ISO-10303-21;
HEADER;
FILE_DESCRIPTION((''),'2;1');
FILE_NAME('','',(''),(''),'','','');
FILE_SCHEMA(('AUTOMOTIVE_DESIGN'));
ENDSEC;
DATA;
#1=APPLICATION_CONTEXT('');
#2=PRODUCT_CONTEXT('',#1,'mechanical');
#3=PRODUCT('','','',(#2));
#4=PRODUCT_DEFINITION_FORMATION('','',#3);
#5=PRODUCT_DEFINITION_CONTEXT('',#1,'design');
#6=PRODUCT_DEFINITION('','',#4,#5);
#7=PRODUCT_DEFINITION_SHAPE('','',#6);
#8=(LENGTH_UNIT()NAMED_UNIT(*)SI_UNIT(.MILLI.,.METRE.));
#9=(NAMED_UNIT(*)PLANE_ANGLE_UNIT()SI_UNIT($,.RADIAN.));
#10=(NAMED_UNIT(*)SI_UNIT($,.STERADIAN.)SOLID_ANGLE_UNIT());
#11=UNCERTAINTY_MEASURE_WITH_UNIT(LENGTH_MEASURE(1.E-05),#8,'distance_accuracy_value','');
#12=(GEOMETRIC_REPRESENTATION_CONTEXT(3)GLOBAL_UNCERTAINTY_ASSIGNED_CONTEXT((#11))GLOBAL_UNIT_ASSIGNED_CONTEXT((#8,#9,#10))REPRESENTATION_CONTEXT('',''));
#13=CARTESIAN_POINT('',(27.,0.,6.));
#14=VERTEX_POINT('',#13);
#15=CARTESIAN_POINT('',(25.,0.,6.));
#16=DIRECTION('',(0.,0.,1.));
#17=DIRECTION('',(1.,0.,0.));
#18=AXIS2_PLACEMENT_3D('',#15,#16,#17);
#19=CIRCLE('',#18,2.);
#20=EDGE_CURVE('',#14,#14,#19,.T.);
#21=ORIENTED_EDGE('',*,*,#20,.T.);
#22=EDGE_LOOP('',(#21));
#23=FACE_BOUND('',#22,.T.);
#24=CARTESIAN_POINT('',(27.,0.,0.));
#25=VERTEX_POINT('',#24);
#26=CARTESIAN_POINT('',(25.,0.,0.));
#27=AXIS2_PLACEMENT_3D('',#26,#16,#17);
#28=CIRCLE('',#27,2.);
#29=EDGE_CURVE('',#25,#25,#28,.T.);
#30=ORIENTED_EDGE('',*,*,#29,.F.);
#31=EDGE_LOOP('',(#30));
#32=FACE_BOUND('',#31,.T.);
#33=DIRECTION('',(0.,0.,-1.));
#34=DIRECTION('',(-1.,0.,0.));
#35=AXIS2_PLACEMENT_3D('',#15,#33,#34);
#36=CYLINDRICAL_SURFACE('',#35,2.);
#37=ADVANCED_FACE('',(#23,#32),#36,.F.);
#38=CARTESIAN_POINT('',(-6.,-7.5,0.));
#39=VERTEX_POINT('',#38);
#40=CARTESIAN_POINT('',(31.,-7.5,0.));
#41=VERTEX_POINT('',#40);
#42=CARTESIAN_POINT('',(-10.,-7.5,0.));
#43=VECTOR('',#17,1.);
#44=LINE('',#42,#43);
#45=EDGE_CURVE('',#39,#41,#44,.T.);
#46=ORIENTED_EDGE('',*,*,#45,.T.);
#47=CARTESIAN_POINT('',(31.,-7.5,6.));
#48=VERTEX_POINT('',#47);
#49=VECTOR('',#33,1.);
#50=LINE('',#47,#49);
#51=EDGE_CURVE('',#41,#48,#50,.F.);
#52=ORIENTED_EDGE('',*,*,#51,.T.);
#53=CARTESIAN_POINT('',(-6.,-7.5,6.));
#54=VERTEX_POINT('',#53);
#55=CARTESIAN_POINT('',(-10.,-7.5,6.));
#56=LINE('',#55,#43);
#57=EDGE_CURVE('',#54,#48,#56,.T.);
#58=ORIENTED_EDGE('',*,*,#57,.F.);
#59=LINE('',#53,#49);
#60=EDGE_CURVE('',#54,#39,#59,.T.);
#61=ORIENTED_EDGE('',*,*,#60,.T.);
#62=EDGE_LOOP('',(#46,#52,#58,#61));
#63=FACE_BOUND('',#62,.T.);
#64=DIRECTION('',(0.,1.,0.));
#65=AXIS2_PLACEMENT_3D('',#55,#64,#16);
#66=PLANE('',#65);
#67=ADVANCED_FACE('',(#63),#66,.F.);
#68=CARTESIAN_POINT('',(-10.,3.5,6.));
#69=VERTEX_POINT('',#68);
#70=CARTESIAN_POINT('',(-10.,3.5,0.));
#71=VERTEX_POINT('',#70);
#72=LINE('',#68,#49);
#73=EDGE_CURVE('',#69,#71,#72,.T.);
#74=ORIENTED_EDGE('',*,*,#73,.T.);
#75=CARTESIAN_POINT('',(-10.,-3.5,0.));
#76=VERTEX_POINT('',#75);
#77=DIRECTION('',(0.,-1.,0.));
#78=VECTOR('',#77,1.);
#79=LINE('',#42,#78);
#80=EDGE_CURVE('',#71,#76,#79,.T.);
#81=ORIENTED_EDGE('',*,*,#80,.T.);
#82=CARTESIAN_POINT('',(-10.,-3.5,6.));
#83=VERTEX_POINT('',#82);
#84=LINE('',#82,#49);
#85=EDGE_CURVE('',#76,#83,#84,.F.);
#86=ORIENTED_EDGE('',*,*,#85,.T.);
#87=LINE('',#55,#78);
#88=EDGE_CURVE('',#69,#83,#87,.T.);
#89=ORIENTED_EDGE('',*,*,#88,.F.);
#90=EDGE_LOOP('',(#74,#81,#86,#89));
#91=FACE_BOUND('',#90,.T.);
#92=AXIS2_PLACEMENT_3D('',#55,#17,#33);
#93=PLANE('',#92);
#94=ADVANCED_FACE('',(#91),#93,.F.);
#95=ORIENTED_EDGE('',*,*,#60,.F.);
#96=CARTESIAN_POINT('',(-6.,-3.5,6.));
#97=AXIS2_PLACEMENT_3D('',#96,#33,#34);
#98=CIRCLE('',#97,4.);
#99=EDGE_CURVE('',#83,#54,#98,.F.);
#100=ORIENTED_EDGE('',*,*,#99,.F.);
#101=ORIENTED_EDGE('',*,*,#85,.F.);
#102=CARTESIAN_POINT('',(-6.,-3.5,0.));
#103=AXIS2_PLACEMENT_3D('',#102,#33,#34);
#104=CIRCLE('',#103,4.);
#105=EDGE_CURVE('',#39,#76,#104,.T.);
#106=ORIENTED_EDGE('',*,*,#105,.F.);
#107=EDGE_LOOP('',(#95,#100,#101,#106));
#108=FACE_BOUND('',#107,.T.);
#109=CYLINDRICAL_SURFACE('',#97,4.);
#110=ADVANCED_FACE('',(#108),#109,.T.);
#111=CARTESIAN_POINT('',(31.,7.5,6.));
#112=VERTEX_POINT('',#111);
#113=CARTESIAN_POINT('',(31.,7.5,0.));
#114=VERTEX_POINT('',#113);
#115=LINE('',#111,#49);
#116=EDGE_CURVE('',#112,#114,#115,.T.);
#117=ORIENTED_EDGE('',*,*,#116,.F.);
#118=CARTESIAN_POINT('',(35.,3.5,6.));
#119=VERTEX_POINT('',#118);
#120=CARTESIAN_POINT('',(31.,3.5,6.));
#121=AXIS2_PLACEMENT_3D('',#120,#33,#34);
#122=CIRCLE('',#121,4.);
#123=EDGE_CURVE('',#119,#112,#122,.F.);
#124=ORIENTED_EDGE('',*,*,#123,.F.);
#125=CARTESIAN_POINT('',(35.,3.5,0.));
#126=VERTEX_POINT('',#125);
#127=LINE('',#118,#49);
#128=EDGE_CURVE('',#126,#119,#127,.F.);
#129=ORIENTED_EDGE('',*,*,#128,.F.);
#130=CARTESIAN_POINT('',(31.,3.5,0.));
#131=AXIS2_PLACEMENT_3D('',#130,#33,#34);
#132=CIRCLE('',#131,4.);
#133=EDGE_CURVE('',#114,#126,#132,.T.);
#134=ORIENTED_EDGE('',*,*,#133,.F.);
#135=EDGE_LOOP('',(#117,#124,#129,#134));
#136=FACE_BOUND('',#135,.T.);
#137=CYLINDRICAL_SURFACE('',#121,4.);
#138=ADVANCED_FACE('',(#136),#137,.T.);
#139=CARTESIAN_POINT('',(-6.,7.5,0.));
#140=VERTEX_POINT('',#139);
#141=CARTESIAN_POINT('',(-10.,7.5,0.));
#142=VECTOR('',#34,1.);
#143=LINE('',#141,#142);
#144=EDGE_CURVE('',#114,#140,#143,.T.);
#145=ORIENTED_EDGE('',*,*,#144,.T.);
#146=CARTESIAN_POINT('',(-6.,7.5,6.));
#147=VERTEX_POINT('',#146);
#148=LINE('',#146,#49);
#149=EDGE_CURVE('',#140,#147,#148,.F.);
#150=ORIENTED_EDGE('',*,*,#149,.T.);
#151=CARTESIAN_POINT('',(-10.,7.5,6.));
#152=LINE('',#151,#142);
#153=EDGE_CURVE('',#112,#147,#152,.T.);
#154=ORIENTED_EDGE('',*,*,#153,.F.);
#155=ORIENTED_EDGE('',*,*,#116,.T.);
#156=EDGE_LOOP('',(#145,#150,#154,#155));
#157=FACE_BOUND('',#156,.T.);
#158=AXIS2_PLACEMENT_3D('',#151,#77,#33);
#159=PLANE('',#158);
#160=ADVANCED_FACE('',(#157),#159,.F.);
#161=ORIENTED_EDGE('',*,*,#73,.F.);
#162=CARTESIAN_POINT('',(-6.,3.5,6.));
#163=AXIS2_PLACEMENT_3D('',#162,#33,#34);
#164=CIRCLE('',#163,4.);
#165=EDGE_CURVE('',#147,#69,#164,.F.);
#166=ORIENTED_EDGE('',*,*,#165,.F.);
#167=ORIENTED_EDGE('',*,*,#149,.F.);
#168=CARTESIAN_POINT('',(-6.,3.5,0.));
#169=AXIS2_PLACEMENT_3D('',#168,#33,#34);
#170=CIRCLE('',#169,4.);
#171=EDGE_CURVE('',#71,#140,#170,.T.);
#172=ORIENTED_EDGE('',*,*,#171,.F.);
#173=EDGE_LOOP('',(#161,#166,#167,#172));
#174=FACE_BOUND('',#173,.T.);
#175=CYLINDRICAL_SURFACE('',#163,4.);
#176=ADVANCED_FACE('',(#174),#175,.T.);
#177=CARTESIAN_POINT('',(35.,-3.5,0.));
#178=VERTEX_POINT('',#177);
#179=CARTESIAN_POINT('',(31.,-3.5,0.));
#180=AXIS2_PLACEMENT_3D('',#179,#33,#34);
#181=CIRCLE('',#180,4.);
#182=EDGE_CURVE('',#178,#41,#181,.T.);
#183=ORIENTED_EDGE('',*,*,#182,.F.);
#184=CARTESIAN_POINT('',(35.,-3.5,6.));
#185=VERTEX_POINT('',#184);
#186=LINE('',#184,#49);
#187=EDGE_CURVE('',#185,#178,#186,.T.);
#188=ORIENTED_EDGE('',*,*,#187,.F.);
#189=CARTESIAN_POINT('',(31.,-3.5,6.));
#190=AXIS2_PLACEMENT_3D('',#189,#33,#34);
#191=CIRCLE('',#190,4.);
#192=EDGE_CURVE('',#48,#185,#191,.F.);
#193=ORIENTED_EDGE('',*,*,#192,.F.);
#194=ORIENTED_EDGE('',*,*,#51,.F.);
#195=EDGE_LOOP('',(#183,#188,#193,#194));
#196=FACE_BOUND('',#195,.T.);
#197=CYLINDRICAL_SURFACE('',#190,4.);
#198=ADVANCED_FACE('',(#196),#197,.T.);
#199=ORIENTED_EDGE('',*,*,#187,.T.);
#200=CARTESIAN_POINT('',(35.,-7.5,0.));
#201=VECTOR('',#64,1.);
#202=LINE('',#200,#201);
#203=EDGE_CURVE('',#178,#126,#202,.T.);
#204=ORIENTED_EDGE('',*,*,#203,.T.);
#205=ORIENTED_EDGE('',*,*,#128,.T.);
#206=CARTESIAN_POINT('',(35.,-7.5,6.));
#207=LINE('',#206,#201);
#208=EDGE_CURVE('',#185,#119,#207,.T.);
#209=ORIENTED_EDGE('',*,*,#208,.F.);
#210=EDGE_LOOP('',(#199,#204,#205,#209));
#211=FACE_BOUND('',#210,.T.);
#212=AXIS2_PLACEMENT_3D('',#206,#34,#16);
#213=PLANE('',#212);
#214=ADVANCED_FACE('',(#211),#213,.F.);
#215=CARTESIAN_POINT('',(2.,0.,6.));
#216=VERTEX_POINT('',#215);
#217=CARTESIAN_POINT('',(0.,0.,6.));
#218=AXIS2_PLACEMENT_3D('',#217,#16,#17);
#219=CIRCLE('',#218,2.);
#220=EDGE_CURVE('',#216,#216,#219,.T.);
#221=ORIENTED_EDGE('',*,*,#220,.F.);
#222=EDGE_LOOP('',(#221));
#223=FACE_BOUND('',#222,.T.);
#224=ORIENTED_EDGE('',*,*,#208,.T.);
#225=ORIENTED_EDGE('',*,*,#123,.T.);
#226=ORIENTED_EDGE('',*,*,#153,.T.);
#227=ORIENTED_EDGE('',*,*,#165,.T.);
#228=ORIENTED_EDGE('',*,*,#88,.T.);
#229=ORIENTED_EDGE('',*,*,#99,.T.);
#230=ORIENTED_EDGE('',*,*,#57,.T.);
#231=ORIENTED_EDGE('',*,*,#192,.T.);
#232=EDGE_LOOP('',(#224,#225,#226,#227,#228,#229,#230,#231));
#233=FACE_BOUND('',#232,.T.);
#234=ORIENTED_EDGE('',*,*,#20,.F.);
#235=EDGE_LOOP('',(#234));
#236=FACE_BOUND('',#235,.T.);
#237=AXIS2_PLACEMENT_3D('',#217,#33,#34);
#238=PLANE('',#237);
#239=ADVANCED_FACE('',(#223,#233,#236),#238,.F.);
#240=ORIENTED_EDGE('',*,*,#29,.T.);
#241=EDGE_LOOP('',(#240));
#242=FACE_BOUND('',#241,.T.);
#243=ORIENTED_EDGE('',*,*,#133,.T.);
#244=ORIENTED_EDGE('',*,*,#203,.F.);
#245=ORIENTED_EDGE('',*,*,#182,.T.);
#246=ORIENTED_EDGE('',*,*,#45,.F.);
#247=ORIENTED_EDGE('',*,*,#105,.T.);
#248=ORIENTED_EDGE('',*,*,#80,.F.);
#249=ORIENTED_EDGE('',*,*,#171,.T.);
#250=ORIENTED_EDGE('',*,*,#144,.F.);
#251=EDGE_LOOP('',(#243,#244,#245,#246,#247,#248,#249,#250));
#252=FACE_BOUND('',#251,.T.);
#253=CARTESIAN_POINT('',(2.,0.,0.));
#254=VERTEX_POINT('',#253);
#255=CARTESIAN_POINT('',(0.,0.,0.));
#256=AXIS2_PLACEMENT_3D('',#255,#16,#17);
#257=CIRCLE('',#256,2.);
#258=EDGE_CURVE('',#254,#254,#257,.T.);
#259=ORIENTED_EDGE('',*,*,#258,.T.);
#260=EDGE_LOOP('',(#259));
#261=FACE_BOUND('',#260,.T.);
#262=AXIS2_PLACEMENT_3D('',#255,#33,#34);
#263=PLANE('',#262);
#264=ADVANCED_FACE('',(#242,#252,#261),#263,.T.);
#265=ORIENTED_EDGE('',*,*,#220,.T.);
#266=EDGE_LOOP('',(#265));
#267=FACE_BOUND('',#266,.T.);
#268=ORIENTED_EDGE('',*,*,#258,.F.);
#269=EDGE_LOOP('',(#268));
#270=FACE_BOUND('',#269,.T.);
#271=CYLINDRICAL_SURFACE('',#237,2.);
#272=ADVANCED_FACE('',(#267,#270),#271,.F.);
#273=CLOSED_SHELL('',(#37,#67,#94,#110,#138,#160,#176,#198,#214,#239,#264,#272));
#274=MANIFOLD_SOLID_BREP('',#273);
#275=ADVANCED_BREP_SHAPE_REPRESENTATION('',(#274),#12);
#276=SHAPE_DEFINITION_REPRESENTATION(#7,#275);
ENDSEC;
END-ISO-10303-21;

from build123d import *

# Parameters (mm, degrees)
SKETCH1_W           = 45
SKETCH1_H           = 15
SKETCH1_R           = 2
BOSS_EXTRUDE1_DEPTH = 6
FILLET1_R           = 4


with BuildPart() as part:
    # Sketch1 → Boss-Extrude1 (new body)
    with BuildSketch(Plane.XY):
        with Locations((12.5, 0)):
            Rectangle(SKETCH1_W, SKETCH1_H)
        Circle(SKETCH1_R, mode=Mode.SUBTRACT)
        with Locations((25, 0)):
            Circle(SKETCH1_R, mode=Mode.SUBTRACT)
    extrude(amount=BOSS_EXTRUDE1_DEPTH)

    # Fillet1
    fillet1_edges = [part.edges().sort_by_distance(p)[0] for p in [
        (-10, 7.5, 3),
        (35, 7.5, 3),
        (35, -7.5, 3),
        (-10, -7.5, 3),
    ]]
    fillet(fillet1_edges, radius=FILLET1_R)


solid = part.part
